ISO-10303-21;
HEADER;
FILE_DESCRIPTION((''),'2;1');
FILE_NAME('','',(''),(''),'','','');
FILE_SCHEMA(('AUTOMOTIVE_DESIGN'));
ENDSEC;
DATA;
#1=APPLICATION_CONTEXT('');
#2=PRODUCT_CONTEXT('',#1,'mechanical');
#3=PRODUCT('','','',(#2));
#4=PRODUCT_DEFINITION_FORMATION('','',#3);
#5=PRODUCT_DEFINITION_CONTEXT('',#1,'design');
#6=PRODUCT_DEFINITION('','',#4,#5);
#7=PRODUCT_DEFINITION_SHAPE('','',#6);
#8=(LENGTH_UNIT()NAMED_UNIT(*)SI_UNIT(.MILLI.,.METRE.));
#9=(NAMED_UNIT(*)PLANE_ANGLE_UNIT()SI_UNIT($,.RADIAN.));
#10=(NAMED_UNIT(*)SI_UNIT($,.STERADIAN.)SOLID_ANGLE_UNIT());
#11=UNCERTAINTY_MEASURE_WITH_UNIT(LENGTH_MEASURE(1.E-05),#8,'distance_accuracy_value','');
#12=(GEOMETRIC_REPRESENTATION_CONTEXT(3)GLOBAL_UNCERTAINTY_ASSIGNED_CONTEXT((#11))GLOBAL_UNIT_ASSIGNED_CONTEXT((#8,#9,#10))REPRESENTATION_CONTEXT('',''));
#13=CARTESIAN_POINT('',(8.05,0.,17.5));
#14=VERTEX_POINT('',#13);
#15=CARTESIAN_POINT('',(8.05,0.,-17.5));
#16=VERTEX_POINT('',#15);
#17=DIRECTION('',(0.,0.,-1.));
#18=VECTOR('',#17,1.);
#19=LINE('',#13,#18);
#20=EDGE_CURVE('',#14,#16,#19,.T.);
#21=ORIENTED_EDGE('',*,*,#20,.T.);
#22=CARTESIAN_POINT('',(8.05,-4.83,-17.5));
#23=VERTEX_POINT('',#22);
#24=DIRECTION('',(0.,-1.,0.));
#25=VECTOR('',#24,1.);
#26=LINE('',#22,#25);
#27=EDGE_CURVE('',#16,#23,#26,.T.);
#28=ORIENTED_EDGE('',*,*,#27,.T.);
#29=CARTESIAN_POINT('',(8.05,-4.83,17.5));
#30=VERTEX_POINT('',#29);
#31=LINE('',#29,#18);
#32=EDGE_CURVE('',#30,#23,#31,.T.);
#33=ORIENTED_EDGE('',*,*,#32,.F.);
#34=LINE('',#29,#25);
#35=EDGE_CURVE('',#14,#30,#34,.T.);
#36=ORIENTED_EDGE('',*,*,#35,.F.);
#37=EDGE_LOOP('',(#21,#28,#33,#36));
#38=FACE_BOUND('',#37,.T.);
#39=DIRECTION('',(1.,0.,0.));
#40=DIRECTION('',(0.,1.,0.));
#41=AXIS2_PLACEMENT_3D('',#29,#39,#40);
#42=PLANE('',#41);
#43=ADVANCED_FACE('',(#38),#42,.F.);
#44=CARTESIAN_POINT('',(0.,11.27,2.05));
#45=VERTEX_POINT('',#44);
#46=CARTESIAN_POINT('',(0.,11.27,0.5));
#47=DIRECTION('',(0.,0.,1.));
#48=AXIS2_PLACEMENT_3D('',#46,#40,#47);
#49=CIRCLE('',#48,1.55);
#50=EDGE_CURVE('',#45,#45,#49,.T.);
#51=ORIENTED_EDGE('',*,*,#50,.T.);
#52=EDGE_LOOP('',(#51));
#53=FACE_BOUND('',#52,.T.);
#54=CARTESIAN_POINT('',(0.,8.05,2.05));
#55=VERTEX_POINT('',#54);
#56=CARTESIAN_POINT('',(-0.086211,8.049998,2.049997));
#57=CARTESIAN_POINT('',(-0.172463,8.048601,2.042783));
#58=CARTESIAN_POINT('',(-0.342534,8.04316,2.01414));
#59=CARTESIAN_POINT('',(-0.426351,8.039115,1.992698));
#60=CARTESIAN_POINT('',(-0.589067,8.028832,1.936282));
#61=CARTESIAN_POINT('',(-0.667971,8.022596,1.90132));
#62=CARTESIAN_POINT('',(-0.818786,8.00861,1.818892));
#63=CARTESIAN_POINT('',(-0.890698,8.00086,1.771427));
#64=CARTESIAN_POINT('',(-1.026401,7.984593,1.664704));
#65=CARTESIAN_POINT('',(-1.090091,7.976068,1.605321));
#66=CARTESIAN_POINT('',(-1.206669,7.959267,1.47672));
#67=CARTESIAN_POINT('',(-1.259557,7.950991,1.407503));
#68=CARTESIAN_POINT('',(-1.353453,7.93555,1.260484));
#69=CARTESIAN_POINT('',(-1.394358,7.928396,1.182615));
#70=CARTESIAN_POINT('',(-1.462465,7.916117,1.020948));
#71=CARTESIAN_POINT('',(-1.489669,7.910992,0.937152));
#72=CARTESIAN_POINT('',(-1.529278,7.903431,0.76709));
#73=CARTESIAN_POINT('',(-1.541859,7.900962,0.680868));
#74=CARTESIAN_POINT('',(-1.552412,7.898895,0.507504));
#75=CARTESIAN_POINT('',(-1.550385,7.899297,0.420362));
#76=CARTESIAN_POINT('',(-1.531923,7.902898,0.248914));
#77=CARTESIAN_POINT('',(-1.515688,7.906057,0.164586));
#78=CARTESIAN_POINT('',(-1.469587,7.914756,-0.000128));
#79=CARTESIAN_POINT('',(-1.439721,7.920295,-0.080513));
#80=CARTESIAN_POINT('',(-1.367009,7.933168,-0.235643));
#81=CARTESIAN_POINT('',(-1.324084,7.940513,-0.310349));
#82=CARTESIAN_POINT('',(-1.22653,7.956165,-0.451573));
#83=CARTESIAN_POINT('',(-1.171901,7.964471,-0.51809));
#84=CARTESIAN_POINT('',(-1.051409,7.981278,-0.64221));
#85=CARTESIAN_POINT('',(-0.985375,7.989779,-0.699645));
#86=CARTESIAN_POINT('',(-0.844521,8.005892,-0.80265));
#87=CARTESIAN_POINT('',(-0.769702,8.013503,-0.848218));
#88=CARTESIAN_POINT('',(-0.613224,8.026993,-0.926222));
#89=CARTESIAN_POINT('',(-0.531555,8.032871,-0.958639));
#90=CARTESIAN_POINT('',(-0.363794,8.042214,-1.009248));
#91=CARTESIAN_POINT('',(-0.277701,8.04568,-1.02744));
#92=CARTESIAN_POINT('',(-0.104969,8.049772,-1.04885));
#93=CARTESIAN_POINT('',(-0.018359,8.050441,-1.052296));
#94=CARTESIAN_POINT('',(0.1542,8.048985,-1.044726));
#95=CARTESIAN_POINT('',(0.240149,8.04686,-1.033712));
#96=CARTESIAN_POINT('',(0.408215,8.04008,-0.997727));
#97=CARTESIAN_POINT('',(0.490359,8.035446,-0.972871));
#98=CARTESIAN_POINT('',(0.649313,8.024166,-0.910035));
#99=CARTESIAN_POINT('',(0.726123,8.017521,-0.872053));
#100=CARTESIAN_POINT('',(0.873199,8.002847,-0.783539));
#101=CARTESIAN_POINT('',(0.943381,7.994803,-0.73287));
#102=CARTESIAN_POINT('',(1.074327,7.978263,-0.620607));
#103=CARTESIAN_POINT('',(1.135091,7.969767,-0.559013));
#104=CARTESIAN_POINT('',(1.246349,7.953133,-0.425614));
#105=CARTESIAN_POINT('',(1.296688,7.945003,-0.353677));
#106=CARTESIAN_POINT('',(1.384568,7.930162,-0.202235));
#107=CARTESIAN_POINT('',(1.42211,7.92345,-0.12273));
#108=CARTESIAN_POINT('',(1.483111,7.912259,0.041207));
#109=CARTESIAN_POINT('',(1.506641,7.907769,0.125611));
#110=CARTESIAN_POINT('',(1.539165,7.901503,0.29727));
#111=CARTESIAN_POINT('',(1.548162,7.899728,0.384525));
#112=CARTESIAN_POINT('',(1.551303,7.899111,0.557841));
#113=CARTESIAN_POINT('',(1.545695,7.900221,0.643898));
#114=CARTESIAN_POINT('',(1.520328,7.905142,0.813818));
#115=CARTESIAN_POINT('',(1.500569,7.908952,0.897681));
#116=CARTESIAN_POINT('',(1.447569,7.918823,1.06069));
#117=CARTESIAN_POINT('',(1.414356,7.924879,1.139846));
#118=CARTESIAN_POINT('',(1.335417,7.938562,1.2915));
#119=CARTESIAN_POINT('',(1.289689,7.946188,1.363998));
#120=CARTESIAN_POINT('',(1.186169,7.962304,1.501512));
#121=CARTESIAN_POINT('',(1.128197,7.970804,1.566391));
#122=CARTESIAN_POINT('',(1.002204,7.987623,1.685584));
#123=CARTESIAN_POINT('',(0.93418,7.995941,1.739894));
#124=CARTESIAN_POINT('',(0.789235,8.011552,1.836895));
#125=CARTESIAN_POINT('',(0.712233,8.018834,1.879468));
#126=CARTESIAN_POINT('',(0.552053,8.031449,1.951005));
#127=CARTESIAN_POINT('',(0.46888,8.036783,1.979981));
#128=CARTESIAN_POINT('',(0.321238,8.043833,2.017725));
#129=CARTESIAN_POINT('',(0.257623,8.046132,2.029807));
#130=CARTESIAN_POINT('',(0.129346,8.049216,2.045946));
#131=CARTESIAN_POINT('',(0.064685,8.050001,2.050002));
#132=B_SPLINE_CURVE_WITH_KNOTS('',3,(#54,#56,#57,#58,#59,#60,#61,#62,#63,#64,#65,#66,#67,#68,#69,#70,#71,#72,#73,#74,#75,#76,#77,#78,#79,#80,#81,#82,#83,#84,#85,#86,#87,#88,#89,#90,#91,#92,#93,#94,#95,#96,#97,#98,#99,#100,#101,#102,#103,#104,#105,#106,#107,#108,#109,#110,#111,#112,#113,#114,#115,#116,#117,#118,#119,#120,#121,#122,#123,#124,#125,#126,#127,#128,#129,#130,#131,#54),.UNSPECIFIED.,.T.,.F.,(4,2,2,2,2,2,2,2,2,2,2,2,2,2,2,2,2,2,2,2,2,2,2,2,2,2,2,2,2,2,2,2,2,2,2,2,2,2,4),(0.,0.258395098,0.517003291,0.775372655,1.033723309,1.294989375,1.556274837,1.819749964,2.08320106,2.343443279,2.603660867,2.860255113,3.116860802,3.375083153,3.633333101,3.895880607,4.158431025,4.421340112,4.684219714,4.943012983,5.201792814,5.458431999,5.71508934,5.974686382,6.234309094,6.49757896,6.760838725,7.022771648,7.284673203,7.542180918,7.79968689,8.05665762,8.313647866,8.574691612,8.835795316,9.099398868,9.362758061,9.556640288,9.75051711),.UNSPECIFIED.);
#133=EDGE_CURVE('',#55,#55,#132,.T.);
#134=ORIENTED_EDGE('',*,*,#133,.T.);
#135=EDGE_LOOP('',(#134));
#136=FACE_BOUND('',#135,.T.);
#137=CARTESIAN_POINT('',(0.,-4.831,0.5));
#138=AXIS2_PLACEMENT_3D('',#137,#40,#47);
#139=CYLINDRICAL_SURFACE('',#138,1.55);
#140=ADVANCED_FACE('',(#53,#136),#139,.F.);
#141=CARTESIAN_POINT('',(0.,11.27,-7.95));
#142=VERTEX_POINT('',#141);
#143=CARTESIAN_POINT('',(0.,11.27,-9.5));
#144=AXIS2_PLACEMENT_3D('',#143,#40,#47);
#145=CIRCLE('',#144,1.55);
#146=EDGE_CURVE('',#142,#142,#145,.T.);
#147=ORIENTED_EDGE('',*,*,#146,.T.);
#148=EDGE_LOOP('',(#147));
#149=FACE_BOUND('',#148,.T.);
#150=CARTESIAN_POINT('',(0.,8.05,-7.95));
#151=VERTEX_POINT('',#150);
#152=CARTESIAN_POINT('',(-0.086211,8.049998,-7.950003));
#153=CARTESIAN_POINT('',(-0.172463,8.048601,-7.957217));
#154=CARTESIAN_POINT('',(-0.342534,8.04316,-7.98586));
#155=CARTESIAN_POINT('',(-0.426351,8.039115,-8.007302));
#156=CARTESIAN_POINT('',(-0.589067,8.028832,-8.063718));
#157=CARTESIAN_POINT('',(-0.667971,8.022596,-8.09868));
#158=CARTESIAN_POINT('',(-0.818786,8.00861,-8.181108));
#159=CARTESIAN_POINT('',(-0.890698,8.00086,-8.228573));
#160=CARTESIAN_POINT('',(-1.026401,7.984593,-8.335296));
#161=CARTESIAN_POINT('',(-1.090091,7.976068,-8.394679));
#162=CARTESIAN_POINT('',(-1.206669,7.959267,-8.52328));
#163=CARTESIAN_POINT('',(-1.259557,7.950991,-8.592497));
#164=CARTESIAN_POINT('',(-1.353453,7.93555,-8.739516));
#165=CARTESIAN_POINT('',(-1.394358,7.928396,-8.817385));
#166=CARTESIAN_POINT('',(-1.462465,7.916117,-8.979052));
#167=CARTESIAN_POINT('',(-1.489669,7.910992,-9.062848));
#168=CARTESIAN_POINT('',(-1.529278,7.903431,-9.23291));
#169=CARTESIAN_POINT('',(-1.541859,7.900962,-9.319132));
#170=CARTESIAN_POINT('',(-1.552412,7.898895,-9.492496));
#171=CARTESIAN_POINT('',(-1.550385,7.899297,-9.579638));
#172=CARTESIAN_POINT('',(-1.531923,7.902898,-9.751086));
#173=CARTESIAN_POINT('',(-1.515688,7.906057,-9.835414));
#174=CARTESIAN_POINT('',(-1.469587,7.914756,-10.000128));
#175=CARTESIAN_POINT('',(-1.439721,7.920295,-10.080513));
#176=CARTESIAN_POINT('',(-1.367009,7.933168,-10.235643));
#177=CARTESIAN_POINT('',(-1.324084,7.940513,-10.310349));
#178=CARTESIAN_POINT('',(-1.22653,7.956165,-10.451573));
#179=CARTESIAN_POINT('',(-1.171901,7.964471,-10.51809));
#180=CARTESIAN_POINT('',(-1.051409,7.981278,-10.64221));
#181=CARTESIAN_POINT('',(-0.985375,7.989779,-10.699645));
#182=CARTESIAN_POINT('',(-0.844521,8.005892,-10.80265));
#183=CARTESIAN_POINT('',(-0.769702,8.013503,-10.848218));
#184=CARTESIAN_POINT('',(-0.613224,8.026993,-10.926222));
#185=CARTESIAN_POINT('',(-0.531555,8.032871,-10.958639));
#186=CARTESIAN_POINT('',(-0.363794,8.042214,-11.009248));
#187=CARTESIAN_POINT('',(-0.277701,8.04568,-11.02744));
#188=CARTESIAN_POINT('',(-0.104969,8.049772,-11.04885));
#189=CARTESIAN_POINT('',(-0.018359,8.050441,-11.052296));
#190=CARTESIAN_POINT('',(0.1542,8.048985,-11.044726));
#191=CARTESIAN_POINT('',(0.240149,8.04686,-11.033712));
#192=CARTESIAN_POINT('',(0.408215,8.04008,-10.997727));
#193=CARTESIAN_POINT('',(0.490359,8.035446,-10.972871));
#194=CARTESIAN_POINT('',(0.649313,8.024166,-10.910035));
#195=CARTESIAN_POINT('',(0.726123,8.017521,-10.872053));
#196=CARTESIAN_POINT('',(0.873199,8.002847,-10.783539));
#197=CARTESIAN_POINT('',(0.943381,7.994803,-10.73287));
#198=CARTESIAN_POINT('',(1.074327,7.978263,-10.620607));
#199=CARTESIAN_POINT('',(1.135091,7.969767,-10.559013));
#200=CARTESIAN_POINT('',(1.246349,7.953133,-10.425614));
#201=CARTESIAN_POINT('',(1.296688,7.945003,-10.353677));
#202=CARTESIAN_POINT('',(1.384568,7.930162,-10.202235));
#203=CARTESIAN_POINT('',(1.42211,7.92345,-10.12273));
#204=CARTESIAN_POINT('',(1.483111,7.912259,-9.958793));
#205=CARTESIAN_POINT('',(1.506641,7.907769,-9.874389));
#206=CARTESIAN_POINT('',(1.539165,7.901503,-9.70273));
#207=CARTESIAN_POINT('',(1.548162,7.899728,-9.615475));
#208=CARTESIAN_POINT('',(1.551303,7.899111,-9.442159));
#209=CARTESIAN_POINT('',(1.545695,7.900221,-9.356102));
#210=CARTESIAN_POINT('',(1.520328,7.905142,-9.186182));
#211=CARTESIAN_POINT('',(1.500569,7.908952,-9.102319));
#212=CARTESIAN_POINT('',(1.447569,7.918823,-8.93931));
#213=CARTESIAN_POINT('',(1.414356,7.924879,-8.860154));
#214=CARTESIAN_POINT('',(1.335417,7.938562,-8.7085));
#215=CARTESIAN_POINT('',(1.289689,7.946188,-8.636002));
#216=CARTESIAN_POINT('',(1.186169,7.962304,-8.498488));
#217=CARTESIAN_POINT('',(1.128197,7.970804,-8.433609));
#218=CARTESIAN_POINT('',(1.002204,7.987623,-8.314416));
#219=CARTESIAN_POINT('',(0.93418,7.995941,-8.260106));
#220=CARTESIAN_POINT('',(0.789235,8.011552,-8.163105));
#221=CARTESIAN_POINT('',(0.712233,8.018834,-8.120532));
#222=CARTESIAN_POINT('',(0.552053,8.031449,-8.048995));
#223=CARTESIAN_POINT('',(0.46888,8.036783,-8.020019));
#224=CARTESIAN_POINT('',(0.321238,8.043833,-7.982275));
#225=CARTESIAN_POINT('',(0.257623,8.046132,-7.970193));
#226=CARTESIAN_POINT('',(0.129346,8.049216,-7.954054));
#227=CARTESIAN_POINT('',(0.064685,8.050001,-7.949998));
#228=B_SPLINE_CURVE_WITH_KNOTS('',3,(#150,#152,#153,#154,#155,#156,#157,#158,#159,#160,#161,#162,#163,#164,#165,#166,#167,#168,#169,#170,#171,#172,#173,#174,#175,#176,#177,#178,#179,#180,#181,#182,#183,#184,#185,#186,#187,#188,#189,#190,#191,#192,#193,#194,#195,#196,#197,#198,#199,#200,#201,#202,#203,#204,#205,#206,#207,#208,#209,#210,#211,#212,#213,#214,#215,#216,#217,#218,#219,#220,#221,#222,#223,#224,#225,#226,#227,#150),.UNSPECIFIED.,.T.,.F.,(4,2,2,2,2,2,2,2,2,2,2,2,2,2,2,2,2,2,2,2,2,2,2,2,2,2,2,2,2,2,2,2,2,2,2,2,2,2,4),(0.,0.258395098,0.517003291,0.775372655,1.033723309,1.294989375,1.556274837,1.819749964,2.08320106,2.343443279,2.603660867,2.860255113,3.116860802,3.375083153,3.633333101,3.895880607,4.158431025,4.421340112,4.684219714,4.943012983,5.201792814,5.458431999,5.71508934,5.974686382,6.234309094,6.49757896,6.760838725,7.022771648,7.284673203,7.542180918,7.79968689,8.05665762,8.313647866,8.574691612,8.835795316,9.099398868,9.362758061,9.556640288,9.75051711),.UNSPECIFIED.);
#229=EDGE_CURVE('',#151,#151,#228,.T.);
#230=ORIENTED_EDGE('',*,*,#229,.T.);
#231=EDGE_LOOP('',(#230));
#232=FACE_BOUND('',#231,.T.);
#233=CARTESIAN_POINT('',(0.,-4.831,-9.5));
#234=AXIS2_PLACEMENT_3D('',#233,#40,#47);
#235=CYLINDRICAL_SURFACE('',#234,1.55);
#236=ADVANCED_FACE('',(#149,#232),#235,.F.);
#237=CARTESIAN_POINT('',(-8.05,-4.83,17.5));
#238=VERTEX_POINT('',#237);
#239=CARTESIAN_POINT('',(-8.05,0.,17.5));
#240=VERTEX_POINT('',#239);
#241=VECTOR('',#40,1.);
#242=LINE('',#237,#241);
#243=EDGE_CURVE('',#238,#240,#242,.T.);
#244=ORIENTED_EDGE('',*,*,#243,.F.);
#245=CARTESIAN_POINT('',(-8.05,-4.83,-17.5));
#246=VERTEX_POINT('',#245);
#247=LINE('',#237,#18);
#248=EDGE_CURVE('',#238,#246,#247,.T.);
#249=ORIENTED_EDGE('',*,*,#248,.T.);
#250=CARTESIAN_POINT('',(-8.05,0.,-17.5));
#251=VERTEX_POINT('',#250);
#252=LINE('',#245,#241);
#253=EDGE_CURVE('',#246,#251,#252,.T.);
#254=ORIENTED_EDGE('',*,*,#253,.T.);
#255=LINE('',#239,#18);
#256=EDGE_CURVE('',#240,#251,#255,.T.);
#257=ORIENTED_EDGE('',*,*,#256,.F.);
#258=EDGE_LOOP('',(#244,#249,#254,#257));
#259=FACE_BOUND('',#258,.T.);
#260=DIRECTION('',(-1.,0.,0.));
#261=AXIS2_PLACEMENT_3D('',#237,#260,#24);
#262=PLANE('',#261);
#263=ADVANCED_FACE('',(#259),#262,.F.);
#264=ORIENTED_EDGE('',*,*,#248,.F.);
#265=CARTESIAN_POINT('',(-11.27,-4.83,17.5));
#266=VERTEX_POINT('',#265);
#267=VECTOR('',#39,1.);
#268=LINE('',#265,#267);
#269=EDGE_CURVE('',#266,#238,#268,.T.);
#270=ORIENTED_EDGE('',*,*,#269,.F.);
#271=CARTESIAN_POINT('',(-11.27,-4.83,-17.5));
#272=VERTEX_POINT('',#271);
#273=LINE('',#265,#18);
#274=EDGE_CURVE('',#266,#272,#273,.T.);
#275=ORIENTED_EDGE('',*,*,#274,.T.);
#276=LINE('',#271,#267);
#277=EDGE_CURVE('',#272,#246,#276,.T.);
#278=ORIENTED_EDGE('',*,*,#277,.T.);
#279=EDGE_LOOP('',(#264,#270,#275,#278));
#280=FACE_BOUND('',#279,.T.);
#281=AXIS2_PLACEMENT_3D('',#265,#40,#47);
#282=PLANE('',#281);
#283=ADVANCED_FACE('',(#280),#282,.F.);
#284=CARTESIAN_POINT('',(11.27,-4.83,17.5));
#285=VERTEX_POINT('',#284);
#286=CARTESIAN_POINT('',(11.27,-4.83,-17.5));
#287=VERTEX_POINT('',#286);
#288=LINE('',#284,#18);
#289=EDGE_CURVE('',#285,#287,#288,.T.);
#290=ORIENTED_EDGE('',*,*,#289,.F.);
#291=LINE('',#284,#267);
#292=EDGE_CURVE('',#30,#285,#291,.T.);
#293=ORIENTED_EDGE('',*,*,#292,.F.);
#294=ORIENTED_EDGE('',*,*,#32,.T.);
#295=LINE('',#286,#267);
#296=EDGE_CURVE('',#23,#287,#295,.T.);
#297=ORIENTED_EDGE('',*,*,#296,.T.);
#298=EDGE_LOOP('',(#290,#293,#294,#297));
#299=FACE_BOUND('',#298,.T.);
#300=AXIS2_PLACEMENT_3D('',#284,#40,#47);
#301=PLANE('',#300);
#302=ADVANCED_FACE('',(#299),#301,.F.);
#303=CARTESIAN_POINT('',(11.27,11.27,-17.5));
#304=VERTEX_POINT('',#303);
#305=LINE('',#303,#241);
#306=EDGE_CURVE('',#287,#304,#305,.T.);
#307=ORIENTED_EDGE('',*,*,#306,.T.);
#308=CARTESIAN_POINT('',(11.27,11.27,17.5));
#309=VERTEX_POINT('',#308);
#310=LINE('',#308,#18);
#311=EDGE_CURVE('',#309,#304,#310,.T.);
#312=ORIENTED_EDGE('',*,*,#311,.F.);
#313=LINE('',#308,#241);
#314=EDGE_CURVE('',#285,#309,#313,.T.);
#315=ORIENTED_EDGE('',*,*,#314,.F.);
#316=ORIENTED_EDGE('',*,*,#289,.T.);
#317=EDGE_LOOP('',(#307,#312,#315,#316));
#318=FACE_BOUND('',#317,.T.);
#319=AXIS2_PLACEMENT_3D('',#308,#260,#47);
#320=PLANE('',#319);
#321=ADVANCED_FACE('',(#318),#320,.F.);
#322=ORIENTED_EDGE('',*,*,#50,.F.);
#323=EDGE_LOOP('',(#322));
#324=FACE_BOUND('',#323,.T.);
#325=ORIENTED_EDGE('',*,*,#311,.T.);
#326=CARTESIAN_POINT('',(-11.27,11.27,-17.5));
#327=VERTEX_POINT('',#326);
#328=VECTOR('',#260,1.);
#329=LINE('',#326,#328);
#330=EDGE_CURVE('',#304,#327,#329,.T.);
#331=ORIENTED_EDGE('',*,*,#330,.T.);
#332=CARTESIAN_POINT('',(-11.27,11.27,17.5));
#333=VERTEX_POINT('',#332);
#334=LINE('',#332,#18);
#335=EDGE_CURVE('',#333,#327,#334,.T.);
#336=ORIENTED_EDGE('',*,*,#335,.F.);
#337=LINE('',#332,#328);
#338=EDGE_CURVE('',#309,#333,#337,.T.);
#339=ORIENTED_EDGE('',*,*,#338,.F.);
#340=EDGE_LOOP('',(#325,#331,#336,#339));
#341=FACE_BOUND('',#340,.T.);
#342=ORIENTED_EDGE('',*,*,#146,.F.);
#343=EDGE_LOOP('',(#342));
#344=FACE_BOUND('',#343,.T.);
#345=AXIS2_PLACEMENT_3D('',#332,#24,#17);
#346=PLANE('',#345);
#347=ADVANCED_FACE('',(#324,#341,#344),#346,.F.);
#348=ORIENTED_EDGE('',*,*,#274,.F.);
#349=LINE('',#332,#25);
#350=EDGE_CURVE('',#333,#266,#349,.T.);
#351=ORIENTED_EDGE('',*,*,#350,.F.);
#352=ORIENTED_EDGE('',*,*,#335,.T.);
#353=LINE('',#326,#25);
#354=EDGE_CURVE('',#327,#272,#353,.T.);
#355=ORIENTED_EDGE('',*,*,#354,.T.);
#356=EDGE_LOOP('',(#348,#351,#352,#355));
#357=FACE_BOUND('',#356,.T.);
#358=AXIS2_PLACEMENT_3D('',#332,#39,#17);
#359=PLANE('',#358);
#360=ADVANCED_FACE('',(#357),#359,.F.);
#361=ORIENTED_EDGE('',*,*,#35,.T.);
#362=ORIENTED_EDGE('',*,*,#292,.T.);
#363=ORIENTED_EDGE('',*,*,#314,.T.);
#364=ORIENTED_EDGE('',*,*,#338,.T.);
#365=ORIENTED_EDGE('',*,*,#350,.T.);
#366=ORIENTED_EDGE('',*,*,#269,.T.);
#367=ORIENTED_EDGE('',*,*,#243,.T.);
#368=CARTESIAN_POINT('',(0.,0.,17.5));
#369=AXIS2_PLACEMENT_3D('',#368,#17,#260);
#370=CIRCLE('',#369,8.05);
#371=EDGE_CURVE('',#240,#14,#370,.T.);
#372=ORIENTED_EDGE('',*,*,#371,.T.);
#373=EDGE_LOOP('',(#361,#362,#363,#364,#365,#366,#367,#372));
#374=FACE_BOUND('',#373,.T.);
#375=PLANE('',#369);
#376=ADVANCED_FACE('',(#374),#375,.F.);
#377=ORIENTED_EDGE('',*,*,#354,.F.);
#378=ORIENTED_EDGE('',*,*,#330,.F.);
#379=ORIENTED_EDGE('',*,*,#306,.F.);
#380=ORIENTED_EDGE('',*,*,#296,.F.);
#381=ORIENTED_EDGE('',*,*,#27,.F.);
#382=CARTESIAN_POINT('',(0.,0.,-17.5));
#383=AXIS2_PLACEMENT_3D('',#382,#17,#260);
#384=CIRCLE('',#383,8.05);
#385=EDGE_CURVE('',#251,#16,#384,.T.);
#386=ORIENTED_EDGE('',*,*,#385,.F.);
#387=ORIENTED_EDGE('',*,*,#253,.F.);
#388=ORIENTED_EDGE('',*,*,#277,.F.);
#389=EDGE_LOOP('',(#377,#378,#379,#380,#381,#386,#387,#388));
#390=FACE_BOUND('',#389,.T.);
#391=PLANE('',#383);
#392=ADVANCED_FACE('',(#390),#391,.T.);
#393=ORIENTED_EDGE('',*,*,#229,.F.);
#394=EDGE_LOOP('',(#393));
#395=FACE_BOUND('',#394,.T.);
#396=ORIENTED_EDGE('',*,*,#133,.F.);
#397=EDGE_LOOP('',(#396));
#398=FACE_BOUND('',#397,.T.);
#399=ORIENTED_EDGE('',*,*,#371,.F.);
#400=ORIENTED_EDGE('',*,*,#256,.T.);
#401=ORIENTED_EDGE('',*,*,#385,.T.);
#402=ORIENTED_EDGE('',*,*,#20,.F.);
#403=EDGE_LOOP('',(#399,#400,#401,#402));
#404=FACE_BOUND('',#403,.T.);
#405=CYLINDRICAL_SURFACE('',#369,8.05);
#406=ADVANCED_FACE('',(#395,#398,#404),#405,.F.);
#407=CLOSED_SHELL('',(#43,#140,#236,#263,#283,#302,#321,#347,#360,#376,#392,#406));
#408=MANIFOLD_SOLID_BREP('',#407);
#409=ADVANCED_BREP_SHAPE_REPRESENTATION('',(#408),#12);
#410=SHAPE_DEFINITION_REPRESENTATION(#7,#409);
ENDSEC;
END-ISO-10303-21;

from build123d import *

# Parameters (mm, degrees)
BOSS_EXTRUDE1_DEPTH     = 17.5
CUT_EXTRUDE1_REACH      = 28.315
CUT_EXTRUDE1_END_RADIUS = 8.05
SKETCH2_R               = 1.55


with BuildPart() as part:
    # Sketch1 → Boss-Extrude1 (new, symmetric)
    with BuildSketch(Plane.XY):
        with BuildLine():
            Line((-11.27, 11.27), (11.27, 11.27))
            Line((11.27, 11.27), (11.27, -4.83))
            Line((11.27, -4.83), (8.05, -4.83))
            Line((8.05, -4.83), (8.05, 0))
            ThreePointArc((8.05, 0), (0, 8.05), (-8.05, 0))
            Line((-8.05, 0), (-8.05, -4.83))
            Line((-8.05, -4.83), (-11.27, -4.83))
            Line((-11.27, -4.83), (-11.27, 11.27))
        make_face()
    extrude(amount=BOSS_EXTRUDE1_DEPTH, both=True)

    # Cut-Extrude1: up to this cylinder (the profile starts outside it)
    cut_extrude1_end = Plane(origin=(0, 0, -4.5), z_dir=(0, 0, -1)) * Cylinder(CUT_EXTRUDE1_END_RADIUS, 83.73, mode=Mode.PRIVATE)
    # Sketch2 → Cut-Extrude1 (cut, up to the surface)
    with BuildSketch(Plane(origin=(0, 11.27, 0), x_dir=(1, 0, 0), z_dir=(0, 1, 0)), mode=Mode.PRIVATE) as cut_extrude1_sk1:
        with Locations(Location((0, 9.5, 0), (0, 0, 270))):
            Circle(SKETCH2_R)
    cut_extrude1_tool1 = extrude(cut_extrude1_sk1.sketch, amount=-CUT_EXTRUDE1_REACH, mode=Mode.PRIVATE) - cut_extrude1_end
    add(cut_extrude1_tool1.solids().sort_by_distance((0, 11.27, -9.5))[0], mode=Mode.SUBTRACT)
    # Sketch2 → Cut-Extrude1 (cut, up to the surface)
    with BuildSketch(Plane(origin=(0, 11.27, 0), x_dir=(1, 0, 0), z_dir=(0, 1, 0)), mode=Mode.PRIVATE) as cut_extrude1_sk2:
        with Locations(Location((0, -0.5, 0), (0, 0, 270))):
            Circle(SKETCH2_R)
    cut_extrude1_tool2 = extrude(cut_extrude1_sk2.sketch, amount=-CUT_EXTRUDE1_REACH, mode=Mode.PRIVATE) - cut_extrude1_end
    add(cut_extrude1_tool2.solids().sort_by_distance((0, 11.27, 0.5))[0], mode=Mode.SUBTRACT)


solid = part.part
